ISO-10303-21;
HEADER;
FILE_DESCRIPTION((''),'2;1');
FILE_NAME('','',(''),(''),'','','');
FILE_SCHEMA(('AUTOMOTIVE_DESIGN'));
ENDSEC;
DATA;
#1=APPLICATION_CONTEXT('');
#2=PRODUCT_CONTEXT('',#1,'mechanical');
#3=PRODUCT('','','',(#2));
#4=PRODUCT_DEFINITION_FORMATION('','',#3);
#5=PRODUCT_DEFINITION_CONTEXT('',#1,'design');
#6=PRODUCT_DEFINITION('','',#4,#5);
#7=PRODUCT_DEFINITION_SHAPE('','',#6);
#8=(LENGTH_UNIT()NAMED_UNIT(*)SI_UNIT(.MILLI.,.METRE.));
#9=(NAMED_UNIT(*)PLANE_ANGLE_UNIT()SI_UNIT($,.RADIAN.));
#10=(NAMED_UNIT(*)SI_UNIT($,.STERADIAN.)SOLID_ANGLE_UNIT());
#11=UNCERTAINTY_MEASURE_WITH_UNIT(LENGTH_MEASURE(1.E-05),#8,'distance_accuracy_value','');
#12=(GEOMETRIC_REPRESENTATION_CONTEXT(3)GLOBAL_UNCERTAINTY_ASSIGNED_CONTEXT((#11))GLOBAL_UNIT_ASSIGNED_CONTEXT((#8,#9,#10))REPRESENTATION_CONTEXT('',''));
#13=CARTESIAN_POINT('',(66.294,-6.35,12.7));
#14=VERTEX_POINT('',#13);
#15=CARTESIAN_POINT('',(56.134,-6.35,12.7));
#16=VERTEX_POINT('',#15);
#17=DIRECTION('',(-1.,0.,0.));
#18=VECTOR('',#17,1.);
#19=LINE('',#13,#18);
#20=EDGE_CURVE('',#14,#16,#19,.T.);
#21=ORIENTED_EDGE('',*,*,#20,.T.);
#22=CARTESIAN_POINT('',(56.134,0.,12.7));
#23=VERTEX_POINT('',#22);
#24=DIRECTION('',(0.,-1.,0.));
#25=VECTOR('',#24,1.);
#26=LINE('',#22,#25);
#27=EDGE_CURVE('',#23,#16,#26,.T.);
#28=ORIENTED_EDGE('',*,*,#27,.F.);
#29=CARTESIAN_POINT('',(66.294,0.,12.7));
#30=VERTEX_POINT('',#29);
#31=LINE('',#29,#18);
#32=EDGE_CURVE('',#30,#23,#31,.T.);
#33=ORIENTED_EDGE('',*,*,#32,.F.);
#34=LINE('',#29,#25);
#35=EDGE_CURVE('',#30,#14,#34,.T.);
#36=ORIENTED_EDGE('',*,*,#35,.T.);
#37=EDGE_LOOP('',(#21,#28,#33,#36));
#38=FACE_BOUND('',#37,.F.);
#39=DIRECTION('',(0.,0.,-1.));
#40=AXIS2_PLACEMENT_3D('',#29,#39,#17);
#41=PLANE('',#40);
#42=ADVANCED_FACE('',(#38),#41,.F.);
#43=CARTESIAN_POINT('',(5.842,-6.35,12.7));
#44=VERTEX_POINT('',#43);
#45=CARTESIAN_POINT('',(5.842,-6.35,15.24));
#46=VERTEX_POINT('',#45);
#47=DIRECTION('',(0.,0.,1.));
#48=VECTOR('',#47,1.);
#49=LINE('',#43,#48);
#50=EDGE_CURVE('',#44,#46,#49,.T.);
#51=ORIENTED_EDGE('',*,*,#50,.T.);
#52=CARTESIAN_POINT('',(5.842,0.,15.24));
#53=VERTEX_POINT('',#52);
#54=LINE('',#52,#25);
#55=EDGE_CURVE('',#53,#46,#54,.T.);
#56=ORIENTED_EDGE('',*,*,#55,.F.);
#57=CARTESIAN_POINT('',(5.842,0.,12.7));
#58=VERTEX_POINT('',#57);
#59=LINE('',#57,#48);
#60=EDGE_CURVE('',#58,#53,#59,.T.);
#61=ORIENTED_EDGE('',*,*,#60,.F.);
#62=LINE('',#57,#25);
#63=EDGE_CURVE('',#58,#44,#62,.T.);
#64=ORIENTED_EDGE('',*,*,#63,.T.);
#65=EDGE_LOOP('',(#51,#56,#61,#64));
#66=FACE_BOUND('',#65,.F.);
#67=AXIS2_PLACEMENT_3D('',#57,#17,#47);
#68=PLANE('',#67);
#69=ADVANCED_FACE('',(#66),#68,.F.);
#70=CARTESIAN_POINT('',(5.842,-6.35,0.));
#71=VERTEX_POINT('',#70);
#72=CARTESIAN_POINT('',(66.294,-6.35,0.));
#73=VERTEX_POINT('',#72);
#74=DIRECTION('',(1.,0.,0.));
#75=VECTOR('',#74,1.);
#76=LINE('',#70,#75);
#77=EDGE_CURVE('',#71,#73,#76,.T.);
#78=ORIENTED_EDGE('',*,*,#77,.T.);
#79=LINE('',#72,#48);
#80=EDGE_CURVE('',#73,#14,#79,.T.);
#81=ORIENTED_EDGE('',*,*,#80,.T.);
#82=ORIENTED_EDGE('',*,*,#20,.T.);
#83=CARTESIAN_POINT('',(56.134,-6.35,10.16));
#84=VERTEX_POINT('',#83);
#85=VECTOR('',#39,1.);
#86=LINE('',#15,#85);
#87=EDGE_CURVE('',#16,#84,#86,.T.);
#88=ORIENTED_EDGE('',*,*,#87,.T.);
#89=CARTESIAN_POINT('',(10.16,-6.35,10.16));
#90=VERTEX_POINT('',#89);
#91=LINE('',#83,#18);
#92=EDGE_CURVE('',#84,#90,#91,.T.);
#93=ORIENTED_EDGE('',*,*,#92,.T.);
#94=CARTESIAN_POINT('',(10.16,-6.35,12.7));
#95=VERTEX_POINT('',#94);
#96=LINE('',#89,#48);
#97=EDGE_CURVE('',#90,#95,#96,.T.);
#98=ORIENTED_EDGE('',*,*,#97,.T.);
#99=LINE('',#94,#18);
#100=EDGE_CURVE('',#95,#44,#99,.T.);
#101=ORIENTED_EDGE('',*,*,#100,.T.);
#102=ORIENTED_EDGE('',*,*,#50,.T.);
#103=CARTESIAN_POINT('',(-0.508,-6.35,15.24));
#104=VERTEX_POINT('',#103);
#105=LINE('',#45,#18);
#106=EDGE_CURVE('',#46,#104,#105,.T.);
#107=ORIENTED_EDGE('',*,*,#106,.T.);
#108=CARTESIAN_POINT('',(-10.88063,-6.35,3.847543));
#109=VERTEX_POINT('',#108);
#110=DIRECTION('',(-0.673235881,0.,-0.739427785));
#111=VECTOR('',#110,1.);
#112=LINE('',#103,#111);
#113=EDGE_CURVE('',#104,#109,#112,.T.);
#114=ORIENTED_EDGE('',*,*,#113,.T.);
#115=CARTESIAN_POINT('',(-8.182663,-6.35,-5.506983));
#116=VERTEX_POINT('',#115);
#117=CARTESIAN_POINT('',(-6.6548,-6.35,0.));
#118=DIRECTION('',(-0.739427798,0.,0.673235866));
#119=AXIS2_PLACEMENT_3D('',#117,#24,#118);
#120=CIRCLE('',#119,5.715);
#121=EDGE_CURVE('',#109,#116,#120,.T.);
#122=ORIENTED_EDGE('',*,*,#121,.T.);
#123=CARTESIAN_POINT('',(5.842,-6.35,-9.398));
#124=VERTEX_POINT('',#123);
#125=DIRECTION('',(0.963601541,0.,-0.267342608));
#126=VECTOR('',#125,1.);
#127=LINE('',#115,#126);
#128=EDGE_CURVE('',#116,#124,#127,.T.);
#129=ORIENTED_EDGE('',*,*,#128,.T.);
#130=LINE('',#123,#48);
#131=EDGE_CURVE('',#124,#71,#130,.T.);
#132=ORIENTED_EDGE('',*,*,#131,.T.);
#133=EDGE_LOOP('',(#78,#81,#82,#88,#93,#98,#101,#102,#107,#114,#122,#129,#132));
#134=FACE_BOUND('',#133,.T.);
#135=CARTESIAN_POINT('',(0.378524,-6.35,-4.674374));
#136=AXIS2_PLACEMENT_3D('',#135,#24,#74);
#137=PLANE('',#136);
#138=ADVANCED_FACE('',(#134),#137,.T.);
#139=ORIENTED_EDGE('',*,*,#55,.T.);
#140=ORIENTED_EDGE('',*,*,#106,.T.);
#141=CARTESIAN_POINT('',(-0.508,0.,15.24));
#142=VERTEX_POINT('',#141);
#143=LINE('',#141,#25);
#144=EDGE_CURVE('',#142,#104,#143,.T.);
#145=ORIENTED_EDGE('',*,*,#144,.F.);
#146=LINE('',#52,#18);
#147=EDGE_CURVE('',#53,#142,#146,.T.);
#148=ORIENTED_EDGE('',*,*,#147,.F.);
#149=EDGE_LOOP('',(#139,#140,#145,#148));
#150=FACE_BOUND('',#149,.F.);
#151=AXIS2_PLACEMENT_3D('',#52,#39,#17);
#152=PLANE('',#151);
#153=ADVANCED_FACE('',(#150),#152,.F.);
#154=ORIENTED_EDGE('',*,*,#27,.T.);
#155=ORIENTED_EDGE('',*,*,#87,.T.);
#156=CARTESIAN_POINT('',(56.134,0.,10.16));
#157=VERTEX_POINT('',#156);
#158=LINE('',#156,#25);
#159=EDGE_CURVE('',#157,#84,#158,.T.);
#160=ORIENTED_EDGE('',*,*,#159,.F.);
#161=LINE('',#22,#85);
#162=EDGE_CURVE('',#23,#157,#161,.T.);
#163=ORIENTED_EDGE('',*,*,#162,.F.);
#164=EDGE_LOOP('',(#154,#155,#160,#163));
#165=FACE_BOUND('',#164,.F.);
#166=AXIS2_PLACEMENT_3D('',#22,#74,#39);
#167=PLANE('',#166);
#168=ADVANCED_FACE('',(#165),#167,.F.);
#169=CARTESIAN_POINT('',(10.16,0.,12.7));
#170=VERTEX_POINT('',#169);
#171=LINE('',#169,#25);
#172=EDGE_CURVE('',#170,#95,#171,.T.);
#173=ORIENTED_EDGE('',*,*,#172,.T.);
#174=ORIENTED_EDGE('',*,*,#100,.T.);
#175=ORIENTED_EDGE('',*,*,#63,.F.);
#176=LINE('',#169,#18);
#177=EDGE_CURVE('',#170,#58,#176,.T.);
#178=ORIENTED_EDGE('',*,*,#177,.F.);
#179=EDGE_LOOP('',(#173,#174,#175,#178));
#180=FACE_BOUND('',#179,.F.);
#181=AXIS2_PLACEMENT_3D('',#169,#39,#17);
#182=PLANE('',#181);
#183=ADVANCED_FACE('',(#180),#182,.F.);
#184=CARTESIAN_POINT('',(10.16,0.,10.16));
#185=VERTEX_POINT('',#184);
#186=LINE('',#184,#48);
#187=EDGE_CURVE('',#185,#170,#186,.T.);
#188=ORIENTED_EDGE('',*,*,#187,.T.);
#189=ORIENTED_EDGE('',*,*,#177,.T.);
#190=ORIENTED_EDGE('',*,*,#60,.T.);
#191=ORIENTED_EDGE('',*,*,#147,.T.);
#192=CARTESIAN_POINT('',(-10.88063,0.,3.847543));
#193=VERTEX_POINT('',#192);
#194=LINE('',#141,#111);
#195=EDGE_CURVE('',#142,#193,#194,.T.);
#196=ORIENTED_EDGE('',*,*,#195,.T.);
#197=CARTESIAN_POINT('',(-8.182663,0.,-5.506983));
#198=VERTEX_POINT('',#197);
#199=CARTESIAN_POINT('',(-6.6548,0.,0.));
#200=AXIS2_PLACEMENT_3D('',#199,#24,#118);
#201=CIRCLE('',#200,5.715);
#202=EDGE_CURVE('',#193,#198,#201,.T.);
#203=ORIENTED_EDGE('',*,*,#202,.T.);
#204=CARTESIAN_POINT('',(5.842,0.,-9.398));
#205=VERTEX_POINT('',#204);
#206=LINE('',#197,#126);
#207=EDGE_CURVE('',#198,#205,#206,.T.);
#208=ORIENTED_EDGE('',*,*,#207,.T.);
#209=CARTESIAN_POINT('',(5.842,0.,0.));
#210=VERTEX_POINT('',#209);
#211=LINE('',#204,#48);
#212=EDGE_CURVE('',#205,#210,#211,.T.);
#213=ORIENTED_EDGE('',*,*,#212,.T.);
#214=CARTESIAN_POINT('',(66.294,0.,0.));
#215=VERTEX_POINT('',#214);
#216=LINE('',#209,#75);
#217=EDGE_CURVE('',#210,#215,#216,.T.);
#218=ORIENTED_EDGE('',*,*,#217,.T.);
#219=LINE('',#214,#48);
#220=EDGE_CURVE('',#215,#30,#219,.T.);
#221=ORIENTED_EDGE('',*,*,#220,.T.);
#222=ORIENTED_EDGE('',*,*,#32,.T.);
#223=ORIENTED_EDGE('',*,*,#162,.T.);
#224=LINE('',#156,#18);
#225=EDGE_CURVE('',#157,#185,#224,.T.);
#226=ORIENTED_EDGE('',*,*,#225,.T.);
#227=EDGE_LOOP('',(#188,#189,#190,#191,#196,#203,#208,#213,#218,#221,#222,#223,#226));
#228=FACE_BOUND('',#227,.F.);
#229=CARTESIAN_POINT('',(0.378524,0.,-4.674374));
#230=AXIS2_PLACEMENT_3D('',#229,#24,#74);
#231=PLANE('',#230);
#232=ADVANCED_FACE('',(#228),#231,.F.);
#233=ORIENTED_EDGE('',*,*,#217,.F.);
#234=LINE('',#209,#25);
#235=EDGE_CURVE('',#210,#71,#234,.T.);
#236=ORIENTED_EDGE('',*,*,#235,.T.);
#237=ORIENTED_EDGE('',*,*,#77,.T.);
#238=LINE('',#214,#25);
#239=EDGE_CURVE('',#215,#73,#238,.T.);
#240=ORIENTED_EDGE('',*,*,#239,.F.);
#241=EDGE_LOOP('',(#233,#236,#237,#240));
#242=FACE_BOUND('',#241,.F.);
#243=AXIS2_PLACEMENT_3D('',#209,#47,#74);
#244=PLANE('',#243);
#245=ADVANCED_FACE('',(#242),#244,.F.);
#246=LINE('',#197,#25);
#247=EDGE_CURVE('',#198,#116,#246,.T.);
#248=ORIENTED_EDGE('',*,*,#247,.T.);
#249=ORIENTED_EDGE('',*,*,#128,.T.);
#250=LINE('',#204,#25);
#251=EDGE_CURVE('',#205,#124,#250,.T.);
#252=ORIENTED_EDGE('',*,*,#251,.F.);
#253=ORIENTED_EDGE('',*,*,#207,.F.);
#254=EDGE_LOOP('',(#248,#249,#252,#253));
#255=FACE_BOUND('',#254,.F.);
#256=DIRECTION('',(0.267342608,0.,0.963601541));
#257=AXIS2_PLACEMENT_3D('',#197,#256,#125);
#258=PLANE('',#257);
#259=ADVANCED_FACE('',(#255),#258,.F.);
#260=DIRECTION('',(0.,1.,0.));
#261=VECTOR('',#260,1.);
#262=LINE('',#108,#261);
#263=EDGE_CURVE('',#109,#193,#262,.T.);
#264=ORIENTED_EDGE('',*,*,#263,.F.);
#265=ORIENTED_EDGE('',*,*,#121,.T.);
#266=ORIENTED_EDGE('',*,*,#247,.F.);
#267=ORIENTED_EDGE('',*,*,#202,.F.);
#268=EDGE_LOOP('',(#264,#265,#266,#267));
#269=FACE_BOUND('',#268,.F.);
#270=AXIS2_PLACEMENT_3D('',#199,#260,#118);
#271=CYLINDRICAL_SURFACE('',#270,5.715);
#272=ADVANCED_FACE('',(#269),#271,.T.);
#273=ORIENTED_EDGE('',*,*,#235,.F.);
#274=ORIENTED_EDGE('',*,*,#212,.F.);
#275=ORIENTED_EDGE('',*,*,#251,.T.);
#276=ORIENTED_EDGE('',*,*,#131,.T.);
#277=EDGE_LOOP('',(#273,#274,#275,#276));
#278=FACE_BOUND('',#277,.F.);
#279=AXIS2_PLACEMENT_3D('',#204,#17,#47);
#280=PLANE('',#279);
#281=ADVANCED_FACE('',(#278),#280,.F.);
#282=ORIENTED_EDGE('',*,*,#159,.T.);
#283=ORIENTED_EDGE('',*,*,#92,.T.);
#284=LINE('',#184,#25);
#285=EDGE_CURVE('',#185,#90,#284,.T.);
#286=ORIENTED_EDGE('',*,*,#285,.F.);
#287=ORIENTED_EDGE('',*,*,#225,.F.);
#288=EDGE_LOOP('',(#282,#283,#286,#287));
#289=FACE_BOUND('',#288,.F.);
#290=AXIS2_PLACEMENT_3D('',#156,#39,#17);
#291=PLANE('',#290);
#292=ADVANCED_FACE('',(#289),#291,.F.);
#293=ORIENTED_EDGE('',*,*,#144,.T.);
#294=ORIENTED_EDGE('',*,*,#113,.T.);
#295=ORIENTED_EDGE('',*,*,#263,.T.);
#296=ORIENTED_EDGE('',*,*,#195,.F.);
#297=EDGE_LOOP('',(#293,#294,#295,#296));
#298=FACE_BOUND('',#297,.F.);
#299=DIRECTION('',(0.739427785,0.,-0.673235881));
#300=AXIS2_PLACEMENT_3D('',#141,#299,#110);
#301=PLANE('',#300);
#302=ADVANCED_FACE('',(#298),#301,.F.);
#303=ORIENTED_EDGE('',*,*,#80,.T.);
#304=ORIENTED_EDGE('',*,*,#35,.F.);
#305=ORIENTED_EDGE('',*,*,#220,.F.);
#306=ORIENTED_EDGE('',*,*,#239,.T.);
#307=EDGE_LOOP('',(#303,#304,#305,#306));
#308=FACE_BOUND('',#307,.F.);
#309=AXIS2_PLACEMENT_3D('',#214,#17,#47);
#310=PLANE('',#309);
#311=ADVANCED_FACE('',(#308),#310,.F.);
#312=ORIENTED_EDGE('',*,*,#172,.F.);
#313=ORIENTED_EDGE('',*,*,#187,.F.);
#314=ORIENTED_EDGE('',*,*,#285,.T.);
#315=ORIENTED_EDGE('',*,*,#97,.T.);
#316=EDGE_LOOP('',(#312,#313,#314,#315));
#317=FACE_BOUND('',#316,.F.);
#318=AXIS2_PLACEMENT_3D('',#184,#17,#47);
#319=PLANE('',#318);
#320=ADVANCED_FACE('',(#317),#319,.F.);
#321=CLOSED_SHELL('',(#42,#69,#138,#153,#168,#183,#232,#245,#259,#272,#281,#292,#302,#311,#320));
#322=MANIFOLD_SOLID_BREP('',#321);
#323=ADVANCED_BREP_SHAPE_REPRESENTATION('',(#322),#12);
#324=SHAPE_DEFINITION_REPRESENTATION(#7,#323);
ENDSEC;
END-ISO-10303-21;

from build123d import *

# Parameters (mm, degrees)
F0_R     = 3.175
F0_W     = 5.842
F0_H     = 12.7
F1_DEPTH = 6.35
F2_DEPTH = 3.048


with BuildPart() as f1:
    # F0 (on Front) → F1 (new body)
    with BuildSketch(Plane.XZ):
        with BuildLine():
            Line((5.842, 0), (0, 0))
            Line((0, 0), (-0.9398, 0))
            ThreePointArc((-0.9398, 0), (-3.195791, -4.549339), (-8.182663, -5.506983))
            Line((-8.182663, -5.506983), (5.842, -9.398))
            Line((5.842, -9.398), (5.842, 0))
        make_face()
        with BuildLine():
            Line((-0.9398, 0), (0, 0))
            Line((0, 0), (0, 12.7))
            Line((0, 12.7), (5.842, 12.7))
            Line((5.842, 12.7), (5.842, 15.24))
            Line((5.842, 15.24), (-0.508, 15.24))
            Line((-0.508, 15.24), (-10.88063, 3.847543))
            ThreePointArc((-10.88063, 3.847543), (-4.591961, 5.329721), (-0.9398, 0))
        make_face()
        with BuildLine():
            ThreePointArc((-8.182663, -5.506983), (-3.195791, -4.549339), (-0.9398, 0))
            ThreePointArc((-0.9398, 0), (-4.591961, 5.329721), (-10.88063, 3.847543))
            ThreePointArc((-10.88063, 3.847543), (-12.145978, -1.583727), (-8.182663, -5.506983))
        make_face()
        with Locations((-6.6548, 0)):
            Circle(F0_R, mode=Mode.SUBTRACT)
        Polygon((5.842, 12.7), (5.842, 0), (66.294, 0), (66.294, 12.7), (56.134, 12.7), (56.134, 10.16), (10.16, 10.16), (10.16, 12.7), align=None)
        with Locations((2.921, 6.35)):
            Rectangle(F0_W, F0_H)
        with Locations((-6.6548, 0)):
            Circle(F0_R)
    extrude(amount=F1_DEPTH)

    # F0 (on Front) → F2 (join)
    with BuildSketch(Plane.XZ):
        with Locations((-6.6548, 0)):
            Circle(F0_R)
        with BuildLine():
            ThreePointArc((-8.182663, -5.506983), (-3.195791, -4.549339), (-0.9398, 0))
            ThreePointArc((-0.9398, 0), (-4.591961, 5.329721), (-10.88063, 3.847543))
            ThreePointArc((-10.88063, 3.847543), (-12.145978, -1.583727), (-8.182663, -5.506983))
        make_face()
        with Locations((-6.6548, 0)):
            Circle(F0_R, mode=Mode.SUBTRACT)
    extrude(amount=F2_DEPTH)


solid = f1.part
